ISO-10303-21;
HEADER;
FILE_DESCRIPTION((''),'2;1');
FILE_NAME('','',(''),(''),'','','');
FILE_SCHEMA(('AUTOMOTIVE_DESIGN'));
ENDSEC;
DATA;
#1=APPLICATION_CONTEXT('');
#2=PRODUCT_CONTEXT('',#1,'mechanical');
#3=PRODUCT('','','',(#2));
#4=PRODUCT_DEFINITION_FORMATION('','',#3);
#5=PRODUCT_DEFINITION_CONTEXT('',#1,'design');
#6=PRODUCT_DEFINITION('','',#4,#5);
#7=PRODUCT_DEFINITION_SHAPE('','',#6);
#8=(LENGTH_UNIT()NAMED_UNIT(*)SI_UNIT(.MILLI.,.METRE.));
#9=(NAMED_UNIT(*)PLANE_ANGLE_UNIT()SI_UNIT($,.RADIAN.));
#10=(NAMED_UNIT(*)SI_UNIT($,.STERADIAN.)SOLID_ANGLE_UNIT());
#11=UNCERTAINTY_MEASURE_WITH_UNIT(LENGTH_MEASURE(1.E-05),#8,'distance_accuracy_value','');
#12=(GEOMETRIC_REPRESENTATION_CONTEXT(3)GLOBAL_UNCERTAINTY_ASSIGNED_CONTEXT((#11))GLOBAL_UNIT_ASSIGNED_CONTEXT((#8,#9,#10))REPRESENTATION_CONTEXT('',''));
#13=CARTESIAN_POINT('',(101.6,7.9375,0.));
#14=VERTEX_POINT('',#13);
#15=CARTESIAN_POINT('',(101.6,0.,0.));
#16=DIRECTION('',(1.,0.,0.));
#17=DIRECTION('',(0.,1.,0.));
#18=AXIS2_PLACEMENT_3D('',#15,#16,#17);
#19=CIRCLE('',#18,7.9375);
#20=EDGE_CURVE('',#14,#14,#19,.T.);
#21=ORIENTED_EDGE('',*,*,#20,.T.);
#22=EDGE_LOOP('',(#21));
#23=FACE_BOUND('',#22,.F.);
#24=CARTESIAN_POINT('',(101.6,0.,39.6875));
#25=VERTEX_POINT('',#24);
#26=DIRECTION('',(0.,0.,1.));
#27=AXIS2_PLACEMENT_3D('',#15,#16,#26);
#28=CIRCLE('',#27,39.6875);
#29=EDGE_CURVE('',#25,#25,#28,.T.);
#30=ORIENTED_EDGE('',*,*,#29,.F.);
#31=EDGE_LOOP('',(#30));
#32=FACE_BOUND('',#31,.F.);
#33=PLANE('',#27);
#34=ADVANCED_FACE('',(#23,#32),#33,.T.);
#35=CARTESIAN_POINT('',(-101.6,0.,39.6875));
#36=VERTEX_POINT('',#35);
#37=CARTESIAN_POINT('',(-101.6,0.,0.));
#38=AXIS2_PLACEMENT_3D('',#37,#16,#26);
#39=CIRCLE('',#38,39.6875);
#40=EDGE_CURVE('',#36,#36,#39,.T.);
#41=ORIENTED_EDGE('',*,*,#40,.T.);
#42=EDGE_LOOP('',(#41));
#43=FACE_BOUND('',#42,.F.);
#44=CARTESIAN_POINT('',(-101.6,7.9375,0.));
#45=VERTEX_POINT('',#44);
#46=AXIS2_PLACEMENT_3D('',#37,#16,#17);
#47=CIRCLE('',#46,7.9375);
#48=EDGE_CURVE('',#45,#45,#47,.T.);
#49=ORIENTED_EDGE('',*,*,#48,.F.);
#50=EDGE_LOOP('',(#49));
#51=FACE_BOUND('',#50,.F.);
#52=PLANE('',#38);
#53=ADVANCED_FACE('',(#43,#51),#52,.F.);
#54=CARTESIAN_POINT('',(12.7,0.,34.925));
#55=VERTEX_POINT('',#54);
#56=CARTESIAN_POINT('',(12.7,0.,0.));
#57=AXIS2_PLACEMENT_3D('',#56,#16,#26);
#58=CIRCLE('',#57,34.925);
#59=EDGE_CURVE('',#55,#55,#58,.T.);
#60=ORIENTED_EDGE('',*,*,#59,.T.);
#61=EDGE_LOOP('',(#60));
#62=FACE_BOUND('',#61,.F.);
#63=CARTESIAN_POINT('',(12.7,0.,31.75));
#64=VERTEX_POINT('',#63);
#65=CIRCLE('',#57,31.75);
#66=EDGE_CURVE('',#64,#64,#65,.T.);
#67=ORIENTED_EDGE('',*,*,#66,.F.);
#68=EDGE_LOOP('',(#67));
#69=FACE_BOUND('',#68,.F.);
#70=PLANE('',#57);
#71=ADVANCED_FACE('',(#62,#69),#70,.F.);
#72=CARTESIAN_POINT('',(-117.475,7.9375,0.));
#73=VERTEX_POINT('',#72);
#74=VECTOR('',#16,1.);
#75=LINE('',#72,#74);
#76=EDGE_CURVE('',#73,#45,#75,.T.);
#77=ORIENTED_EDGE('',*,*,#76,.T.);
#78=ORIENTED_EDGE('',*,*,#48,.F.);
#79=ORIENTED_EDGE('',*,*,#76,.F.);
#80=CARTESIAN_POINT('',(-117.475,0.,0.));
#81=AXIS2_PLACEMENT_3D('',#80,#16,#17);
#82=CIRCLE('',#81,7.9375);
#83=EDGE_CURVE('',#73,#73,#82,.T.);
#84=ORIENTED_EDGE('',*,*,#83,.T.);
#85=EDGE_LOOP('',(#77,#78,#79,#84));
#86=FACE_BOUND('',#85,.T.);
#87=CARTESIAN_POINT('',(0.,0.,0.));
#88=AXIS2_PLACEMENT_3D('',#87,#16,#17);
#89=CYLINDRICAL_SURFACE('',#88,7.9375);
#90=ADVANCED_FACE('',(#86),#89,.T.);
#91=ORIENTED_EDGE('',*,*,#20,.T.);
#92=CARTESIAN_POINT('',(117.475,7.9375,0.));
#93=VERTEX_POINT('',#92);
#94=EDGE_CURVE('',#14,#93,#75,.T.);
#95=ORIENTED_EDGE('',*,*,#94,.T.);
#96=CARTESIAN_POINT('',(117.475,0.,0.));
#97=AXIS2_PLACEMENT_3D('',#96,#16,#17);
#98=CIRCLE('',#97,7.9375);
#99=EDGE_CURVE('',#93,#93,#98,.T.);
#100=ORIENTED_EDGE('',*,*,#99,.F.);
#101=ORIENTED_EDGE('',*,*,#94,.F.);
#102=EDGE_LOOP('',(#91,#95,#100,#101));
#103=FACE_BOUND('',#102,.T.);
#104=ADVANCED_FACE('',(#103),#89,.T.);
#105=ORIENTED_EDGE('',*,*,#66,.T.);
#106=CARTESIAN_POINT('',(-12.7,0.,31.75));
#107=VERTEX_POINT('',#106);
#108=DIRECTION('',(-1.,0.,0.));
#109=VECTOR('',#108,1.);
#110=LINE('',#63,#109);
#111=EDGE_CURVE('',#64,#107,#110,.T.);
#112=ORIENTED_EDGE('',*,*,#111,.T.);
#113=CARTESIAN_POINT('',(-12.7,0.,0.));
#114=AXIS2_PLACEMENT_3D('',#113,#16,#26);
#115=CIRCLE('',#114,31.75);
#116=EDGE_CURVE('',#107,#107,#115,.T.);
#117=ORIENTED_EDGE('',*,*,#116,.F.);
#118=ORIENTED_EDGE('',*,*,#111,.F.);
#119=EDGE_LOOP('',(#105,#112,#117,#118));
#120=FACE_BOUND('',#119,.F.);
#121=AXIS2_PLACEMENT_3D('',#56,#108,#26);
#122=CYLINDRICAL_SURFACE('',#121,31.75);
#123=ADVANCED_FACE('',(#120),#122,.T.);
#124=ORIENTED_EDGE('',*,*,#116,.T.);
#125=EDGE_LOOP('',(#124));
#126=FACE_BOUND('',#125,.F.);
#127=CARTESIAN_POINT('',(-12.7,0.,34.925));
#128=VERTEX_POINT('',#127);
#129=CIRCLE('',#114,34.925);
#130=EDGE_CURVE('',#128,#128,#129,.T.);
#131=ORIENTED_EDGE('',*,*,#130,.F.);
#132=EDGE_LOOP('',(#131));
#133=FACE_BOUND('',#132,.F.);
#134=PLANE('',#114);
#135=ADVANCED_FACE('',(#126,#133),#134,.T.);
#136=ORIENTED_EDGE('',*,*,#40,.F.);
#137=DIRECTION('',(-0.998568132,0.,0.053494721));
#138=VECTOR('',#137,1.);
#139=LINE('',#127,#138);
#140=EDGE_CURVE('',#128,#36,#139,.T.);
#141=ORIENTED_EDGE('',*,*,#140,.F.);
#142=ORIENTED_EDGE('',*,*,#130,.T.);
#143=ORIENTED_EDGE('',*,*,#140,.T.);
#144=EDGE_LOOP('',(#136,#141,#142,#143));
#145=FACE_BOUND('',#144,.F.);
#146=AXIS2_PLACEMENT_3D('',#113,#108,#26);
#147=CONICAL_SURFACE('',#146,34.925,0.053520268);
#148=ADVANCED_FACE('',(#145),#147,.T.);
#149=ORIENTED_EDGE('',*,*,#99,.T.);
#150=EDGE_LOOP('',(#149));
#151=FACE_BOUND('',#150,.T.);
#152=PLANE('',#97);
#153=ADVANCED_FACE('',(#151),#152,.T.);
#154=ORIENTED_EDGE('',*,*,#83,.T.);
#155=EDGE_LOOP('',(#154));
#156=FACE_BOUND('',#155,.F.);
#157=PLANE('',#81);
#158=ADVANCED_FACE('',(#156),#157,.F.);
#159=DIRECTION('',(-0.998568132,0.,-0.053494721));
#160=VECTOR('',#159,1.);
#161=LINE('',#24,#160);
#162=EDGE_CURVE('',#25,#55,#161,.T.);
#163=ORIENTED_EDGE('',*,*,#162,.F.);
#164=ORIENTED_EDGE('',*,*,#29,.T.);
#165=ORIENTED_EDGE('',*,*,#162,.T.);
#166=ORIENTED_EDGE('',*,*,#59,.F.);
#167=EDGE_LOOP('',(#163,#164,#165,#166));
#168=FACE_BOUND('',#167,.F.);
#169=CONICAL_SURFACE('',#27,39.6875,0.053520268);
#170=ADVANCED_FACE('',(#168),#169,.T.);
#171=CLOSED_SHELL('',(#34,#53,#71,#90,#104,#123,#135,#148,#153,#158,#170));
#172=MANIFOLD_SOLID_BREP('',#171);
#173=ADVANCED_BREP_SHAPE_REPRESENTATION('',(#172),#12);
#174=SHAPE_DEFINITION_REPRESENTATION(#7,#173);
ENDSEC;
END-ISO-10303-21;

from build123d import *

# Parameters (mm, degrees)
F2_R     = 7.9375
F3_DEPTH = 117.475


with BuildPart() as f1:
    # F0 (on Front) → F1 (revolve)
    with BuildSketch(Plane.XZ):
        Polygon((-101.6, 39.6875), (-101.6, 0), (101.6, 0), (101.6, 39.6875), (12.7, 34.925), (12.7, 31.75), (-12.7, 31.75), (-12.7, 34.925), align=None)
    revolve(axis=Axis((0, 0, 0), (1, 0, 0)))

    # F2 (on Right) → F3 (join, symmetric)
    with BuildSketch(Plane.YZ):
        Circle(F2_R)
    extrude(amount=F3_DEPTH, both=True)


solid = f1.part
